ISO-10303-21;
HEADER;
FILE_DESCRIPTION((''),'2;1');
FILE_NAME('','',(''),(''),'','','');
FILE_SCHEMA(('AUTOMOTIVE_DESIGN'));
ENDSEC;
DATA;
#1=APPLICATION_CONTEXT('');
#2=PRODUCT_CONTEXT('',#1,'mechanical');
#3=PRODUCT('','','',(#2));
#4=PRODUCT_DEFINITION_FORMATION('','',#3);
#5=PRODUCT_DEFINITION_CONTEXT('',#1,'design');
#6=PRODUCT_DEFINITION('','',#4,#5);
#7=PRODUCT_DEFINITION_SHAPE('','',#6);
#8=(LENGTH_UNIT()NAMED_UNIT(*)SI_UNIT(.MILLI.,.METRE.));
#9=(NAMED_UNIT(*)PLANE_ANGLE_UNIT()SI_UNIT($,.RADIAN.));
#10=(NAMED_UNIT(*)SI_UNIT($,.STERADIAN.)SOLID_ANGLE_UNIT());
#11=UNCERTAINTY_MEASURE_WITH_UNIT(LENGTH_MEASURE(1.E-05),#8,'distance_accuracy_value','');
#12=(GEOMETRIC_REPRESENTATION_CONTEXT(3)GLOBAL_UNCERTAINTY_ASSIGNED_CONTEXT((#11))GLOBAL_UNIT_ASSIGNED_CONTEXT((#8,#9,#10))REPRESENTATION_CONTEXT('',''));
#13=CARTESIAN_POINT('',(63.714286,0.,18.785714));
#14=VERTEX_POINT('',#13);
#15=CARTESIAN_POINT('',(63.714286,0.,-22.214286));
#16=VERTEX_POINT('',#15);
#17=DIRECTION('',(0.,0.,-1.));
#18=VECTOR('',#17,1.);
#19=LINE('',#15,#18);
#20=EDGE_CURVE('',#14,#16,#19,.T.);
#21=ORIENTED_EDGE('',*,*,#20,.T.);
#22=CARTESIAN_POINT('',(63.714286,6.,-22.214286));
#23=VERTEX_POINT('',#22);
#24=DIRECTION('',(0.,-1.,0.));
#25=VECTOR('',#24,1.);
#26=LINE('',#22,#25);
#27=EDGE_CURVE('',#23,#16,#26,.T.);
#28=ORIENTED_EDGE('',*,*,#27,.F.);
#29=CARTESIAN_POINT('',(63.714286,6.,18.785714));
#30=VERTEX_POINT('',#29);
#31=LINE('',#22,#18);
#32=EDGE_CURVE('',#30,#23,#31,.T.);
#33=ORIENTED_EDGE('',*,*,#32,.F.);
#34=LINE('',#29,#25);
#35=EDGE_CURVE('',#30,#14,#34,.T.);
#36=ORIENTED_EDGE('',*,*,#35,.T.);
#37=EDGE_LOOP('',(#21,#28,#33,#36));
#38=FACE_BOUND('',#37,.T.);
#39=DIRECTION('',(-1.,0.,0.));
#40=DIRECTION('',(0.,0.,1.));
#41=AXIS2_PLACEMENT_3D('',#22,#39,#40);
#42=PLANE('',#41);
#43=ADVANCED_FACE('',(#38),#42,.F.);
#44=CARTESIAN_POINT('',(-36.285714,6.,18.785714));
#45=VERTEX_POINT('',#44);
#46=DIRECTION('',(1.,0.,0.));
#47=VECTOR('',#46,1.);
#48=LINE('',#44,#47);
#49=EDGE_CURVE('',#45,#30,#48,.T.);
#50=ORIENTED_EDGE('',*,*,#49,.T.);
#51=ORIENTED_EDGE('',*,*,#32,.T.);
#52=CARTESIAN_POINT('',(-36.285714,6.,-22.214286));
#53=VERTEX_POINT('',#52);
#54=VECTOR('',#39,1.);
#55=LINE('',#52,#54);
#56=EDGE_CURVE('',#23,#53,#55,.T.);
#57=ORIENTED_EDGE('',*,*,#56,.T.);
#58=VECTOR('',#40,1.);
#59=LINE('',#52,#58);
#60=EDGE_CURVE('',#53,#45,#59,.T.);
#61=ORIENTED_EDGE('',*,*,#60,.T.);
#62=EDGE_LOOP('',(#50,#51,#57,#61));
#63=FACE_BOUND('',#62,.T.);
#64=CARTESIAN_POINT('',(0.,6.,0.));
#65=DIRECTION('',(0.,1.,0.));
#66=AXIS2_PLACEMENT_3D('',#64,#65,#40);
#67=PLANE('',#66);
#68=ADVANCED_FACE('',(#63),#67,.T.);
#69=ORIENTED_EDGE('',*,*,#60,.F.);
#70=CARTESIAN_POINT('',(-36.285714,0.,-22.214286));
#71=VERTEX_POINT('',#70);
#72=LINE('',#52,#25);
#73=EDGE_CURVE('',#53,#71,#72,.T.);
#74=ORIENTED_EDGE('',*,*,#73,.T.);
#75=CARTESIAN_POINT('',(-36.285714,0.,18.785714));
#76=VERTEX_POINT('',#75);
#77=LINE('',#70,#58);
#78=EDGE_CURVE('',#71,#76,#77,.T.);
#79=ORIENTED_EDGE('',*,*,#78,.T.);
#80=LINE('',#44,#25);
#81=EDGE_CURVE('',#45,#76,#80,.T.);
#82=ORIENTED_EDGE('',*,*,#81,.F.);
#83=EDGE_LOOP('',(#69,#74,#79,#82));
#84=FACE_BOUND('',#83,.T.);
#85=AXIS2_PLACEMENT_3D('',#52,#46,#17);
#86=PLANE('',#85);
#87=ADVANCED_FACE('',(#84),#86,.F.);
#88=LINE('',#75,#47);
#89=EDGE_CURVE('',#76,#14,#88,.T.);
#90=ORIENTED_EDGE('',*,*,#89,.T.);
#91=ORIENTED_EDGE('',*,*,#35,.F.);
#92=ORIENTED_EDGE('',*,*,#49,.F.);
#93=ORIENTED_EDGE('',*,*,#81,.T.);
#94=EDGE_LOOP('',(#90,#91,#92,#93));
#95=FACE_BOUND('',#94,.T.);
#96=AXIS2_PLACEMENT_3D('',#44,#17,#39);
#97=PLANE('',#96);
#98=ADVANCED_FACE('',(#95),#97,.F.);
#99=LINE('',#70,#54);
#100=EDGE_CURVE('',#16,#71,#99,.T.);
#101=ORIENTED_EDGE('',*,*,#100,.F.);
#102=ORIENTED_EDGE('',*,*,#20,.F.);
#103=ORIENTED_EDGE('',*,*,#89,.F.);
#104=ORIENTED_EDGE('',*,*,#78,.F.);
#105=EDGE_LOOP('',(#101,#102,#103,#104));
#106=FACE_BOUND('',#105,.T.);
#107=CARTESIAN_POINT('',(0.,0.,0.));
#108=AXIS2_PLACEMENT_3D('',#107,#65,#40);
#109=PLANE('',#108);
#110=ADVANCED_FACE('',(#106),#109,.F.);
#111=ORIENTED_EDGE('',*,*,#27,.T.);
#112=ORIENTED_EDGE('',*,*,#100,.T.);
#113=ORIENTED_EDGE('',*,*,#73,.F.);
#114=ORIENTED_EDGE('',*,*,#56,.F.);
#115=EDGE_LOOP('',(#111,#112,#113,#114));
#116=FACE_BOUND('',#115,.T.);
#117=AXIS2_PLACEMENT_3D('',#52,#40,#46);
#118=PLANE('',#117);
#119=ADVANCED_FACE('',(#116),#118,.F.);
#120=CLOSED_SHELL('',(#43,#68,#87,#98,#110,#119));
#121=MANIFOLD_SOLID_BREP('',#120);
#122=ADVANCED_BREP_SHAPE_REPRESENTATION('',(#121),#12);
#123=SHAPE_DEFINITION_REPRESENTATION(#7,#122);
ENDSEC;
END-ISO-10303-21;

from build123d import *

# Parameters (mm, degrees)
ESQUISSE1_W        = 100
ESQUISSE1_H        = 41
BOSS_EXTRU_1_DEPTH = 6


with BuildPart() as part:
    # Esquisse1 → Boss.-Extru.1 (new body)
    with BuildSketch(Plane(origin=(0, 0, 0), x_dir=(1, 0, 0), z_dir=(0, 1, 0))):
        with Locations((13.714285714, 1.714285714)):
            Rectangle(ESQUISSE1_W, ESQUISSE1_H)
    extrude(amount=BOSS_EXTRU_1_DEPTH)


solid = part.part
